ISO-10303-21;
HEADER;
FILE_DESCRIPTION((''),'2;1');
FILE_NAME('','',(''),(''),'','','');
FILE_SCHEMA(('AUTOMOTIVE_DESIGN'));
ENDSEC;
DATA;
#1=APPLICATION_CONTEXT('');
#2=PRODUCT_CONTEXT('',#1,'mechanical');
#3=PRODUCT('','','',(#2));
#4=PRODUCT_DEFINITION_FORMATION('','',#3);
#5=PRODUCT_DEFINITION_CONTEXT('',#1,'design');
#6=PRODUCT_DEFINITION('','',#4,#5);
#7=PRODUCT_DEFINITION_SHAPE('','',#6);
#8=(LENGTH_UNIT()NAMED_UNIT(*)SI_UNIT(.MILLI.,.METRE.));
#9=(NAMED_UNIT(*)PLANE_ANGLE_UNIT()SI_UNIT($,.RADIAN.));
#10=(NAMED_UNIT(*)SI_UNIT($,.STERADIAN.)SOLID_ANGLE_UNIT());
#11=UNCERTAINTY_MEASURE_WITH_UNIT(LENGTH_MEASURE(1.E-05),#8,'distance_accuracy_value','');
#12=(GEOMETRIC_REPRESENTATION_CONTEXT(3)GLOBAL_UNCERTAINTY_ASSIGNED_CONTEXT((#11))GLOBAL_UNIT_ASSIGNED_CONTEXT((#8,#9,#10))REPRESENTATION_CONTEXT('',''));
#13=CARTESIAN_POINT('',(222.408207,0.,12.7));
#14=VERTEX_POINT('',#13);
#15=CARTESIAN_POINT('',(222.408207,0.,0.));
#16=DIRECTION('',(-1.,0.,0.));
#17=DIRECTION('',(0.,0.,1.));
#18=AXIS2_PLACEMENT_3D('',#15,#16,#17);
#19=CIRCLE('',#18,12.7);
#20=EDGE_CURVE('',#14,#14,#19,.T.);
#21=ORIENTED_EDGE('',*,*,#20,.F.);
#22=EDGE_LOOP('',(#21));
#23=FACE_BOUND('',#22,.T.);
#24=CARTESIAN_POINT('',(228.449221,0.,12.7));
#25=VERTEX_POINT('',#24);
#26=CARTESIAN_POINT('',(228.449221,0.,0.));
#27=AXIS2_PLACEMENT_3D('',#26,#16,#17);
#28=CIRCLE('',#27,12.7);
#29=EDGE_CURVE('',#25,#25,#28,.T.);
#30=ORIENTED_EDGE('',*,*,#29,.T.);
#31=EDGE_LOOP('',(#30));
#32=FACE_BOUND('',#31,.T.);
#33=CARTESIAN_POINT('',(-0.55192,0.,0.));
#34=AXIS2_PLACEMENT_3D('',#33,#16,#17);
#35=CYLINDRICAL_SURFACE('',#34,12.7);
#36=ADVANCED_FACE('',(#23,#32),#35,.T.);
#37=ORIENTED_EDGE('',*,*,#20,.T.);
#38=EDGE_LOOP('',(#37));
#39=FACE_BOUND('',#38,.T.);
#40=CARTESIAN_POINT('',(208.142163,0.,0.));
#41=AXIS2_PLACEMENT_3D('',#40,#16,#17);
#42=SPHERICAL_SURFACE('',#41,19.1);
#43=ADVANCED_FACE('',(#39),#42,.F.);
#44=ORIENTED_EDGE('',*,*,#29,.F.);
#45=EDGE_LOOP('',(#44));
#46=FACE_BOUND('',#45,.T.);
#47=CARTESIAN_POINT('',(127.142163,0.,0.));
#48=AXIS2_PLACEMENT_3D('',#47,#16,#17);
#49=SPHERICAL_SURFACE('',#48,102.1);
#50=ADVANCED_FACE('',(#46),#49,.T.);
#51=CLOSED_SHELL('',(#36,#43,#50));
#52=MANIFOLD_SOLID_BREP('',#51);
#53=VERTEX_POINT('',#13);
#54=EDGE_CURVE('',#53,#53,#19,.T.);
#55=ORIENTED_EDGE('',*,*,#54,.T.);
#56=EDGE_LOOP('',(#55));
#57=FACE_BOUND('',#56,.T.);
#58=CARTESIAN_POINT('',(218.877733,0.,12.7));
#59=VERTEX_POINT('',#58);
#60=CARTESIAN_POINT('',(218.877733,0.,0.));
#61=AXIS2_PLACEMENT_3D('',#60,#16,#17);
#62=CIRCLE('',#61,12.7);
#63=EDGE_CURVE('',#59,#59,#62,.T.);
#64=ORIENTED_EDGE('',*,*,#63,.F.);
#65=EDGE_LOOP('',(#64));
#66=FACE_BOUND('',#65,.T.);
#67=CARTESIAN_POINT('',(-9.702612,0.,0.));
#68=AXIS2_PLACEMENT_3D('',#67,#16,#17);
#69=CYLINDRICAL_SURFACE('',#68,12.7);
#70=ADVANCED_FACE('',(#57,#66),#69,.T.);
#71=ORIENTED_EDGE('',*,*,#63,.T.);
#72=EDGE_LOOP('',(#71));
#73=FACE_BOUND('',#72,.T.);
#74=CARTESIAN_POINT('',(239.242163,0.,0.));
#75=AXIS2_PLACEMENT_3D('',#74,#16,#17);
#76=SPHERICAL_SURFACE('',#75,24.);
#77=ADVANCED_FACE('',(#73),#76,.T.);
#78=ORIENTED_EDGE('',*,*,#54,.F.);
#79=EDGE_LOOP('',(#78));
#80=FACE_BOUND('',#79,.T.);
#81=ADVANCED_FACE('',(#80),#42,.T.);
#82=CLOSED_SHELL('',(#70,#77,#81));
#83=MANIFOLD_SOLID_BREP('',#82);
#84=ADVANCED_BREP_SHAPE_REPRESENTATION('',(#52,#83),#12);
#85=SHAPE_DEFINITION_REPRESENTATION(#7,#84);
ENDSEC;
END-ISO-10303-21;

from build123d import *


with BuildPart() as part:
    # 草图1 one side → 旋转1 (revolve)
    with BuildSketch(Plane(origin=(0, 0, 0), x_dir=(1, 0, 0), z_dir=(0, 1, 0)), mode=Mode.PRIVATE) as revolve_1_sk:
        with BuildLine():
            ThreePointArc((218.877733484, 12.7), (216.168950276, 6.605061901), (215.242163258, 0))
            Line((215.242163258, 0), (227.242163258, 0))
            ThreePointArc((227.242163258, 0), (225.992813565, 6.794430338), (222.408206858, 12.7))
            Line((222.408206858, 12.7), (218.877733484, 12.7))
        make_face()
    revolve(revolve_1_sk.sketch.rotate(Axis((-9.702612178, 0, 0), (1, 0, 0)), 180), axis=Axis((-9.702612178, 0, 0), (1, 0, 0)))  # turned: the seam where the file's is


with BuildPart() as body_2:
    # 草图2 one side → 旋转3 (revolve)
    with BuildSketch(Plane(origin=(0, 0, 0), x_dir=(1, 0, 0), z_dir=(0, 1, 0)), mode=Mode.PRIVATE) as revolve_3_sk:
        with BuildLine():
            Line((228.449221255, 12.7), (222.408206858, 12.7))
            ThreePointArc((222.408206858, 12.7), (225.992813565, 6.794430338), (227.242163258, 0))
            Line((227.242163258, 0), (229.242163258, 0))
            ThreePointArc((229.242163258, 0), (229.043734937, 6.362365068), (228.449221255, 12.7))
        make_face()
    revolve(revolve_3_sk.sketch.rotate(Axis((-0.551919993, 0, 0), (1, 0, 0)), 180), axis=Axis((-0.551919993, 0, 0), (1, 0, 0)))  # turned: the seam where the file's is


solid = Compound([part.part, body_2.part])
